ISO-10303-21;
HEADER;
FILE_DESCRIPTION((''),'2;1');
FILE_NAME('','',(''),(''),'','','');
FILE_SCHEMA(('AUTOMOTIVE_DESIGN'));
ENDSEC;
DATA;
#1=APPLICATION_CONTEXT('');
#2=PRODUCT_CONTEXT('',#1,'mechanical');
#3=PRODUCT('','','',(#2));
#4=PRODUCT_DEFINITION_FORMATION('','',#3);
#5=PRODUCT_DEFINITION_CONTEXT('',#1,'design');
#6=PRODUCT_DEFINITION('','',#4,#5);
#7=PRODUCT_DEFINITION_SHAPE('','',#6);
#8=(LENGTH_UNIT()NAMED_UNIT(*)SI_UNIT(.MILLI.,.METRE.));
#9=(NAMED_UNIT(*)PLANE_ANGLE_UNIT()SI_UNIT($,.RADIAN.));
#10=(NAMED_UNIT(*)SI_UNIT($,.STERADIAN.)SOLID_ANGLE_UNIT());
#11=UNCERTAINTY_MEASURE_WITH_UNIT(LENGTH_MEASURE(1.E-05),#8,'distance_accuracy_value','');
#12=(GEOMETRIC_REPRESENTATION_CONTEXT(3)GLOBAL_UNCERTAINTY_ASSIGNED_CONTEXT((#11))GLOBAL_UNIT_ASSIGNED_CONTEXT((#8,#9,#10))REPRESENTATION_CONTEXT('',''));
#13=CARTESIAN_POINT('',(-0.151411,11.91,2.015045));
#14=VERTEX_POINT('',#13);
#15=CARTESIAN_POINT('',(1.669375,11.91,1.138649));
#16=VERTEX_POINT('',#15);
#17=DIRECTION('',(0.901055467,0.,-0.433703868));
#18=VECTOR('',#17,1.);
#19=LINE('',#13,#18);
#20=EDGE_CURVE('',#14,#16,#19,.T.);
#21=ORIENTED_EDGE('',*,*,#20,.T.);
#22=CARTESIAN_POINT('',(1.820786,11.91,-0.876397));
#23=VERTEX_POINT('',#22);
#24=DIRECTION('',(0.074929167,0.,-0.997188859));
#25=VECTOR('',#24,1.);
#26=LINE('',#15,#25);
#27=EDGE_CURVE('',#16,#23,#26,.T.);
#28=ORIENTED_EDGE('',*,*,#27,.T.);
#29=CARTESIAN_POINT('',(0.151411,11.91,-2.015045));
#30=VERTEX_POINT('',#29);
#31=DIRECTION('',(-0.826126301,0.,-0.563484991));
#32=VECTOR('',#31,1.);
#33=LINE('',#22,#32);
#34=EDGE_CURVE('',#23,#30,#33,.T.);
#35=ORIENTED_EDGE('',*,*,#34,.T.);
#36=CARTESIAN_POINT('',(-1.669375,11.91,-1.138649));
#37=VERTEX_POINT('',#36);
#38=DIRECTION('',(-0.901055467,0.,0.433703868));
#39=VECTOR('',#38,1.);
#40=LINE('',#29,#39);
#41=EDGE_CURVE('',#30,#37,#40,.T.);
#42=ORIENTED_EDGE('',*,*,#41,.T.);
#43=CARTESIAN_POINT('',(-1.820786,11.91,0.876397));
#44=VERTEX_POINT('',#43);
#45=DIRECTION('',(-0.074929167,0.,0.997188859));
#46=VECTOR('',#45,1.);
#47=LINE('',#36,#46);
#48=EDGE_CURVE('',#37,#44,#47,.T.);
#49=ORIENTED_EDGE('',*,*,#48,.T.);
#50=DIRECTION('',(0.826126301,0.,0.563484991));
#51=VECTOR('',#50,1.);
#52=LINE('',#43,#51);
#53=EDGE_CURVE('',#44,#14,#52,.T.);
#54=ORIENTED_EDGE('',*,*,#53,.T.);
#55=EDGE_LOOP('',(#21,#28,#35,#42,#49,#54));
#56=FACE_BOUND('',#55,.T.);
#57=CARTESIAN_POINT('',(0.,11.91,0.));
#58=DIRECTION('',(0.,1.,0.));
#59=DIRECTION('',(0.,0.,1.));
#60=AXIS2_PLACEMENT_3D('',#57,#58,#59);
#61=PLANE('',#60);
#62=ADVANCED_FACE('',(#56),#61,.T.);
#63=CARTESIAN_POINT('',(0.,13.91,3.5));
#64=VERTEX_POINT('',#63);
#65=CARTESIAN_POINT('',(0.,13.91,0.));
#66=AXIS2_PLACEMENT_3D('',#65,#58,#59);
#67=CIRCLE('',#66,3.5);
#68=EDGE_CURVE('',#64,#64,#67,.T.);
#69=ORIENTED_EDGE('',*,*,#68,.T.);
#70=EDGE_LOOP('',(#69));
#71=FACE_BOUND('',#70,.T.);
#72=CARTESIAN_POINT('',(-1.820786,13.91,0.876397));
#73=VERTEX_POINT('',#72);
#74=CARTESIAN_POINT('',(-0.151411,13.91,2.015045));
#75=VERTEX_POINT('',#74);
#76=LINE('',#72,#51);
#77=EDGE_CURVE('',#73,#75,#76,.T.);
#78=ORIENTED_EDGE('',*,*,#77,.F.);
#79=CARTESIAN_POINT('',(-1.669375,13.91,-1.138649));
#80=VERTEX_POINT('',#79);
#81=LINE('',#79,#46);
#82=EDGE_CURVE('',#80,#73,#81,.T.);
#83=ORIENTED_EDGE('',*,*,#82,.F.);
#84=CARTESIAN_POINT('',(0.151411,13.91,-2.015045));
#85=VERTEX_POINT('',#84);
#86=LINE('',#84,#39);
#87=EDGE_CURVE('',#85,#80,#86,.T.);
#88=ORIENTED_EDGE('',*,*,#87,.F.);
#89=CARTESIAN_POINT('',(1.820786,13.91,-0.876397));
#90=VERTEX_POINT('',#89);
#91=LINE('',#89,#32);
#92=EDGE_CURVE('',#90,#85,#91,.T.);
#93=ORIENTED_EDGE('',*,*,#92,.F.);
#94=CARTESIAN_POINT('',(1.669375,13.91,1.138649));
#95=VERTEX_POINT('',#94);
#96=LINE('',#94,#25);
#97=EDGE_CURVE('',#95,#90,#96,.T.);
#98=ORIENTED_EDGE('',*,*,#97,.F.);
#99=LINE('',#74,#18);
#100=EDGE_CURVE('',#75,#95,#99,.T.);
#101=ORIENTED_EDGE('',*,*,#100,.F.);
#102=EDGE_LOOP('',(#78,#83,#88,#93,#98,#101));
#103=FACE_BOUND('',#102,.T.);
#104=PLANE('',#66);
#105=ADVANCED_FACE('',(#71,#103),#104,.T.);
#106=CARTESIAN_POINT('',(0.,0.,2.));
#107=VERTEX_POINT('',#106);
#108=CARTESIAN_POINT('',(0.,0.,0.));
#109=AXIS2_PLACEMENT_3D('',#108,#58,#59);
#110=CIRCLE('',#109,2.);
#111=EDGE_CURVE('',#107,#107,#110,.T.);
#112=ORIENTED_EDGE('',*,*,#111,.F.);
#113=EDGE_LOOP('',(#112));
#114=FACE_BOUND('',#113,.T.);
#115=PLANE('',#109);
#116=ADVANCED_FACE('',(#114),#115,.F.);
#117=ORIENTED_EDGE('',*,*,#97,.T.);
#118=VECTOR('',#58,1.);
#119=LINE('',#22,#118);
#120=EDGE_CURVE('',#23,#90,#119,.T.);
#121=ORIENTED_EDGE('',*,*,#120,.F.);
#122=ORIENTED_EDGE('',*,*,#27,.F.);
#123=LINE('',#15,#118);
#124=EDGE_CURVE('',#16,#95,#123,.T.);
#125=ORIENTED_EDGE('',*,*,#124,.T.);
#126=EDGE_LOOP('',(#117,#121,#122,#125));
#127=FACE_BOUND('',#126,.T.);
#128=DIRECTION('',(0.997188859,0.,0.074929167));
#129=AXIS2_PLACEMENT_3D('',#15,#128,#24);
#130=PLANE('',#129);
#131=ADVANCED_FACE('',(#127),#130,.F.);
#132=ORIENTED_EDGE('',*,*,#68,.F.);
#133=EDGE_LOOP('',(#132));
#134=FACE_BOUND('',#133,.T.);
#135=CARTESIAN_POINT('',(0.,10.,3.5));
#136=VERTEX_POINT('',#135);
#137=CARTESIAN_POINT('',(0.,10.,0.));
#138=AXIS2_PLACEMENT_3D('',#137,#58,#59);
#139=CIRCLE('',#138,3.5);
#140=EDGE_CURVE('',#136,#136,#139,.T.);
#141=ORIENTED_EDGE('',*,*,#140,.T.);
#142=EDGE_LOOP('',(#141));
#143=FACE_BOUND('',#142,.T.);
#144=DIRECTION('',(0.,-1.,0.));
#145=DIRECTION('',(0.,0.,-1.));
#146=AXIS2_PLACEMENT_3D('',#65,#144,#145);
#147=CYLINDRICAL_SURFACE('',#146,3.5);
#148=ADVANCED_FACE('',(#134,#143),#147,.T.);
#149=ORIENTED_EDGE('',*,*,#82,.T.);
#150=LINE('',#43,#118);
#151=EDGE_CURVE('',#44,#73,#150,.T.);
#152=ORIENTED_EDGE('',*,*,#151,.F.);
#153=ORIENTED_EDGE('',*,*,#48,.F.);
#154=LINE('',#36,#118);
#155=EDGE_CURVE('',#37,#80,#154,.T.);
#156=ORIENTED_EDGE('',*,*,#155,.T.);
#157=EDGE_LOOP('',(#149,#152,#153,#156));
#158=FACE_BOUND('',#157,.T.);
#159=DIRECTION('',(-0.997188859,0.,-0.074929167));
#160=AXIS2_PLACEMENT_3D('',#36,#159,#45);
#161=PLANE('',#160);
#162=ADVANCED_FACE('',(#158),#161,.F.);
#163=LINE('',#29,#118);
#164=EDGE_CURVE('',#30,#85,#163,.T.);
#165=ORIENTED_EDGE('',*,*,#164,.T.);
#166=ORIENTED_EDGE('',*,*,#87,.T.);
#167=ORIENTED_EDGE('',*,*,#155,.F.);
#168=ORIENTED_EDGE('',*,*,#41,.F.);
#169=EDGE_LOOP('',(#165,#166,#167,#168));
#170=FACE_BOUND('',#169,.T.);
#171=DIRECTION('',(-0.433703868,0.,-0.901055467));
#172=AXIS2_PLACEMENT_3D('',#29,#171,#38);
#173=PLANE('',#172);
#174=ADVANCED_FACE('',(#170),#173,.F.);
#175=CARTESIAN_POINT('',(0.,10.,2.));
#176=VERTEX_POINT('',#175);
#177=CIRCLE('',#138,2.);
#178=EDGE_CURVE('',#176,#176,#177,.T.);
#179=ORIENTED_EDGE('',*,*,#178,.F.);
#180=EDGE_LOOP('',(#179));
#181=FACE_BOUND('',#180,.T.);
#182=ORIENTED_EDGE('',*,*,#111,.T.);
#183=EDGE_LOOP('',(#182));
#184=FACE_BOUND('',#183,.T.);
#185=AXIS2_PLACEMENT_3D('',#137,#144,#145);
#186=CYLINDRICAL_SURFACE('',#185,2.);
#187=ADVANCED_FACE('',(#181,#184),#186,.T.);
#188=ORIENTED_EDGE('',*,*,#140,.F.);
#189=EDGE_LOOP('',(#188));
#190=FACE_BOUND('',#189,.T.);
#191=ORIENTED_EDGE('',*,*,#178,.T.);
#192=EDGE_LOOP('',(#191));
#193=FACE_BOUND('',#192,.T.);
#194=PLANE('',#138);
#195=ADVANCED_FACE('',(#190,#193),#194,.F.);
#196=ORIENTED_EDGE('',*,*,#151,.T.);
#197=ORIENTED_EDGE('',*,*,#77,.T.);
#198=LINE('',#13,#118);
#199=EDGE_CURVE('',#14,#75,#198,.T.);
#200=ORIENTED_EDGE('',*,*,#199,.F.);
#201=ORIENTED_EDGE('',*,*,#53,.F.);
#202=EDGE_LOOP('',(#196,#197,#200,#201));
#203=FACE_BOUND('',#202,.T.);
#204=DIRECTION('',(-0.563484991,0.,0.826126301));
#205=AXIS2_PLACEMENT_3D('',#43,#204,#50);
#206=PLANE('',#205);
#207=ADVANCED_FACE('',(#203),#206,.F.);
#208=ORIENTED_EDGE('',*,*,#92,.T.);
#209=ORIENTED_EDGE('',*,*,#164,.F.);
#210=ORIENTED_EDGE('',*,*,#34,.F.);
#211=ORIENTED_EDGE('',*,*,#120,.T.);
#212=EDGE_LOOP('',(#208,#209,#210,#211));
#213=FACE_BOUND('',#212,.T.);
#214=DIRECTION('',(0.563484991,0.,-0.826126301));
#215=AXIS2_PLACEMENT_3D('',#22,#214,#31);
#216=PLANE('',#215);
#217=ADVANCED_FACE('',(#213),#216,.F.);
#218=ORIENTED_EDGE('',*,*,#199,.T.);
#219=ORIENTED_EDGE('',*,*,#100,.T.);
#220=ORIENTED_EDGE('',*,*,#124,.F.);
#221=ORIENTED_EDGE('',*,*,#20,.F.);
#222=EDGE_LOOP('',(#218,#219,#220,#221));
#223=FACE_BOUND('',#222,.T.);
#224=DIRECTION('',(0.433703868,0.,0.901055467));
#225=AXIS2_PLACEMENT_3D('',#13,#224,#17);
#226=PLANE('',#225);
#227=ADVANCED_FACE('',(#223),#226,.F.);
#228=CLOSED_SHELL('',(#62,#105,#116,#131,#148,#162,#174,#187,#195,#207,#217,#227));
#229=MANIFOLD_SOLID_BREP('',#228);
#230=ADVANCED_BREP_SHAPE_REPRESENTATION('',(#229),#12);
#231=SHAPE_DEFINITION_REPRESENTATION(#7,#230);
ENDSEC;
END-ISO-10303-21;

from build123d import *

# Parameters (mm, degrees)
SKETCH_1_R          = 2
EXTRUDE_1_DEPTH     = 10
SKETCH_2_R          = 3.5
EXTRUDE_2_DEPTH     = 3.91
CUT_EXTRUDE_1_DEPTH = 2


with BuildPart() as part:
    # 草图1 → 凸台-拉伸1 (new body)
    with BuildSketch(Plane(origin=(0, 0, 0), x_dir=(1, 0, 0), z_dir=(0, 1, 0))):
        Circle(SKETCH_1_R)
    extrude(amount=EXTRUDE_1_DEPTH)

    # 草图2 → 凸台-拉伸2 (add)
    with BuildSketch(Plane(origin=(0, 10, 0), x_dir=(1, 0, 0), z_dir=(0, 1, 0))):
        Circle(SKETCH_2_R)
    extrude(amount=EXTRUDE_2_DEPTH)

    # 草图3 → 切除-拉伸1 (cut)
    with BuildSketch(Plane(origin=(0, 13.91, 0), x_dir=(1, 0, 0), z_dir=(0, 1, 0))):
        Polygon((1.669374847, -1.13864874), (1.820786158, 0.876396656), (0.151411311, 2.015045396), (-1.669374847, 1.13864874), (-1.820786158, -0.876396656), (-0.151411311, -2.015045396), align=None)
    extrude(amount=-CUT_EXTRUDE_1_DEPTH, mode=Mode.SUBTRACT)


solid = part.part
